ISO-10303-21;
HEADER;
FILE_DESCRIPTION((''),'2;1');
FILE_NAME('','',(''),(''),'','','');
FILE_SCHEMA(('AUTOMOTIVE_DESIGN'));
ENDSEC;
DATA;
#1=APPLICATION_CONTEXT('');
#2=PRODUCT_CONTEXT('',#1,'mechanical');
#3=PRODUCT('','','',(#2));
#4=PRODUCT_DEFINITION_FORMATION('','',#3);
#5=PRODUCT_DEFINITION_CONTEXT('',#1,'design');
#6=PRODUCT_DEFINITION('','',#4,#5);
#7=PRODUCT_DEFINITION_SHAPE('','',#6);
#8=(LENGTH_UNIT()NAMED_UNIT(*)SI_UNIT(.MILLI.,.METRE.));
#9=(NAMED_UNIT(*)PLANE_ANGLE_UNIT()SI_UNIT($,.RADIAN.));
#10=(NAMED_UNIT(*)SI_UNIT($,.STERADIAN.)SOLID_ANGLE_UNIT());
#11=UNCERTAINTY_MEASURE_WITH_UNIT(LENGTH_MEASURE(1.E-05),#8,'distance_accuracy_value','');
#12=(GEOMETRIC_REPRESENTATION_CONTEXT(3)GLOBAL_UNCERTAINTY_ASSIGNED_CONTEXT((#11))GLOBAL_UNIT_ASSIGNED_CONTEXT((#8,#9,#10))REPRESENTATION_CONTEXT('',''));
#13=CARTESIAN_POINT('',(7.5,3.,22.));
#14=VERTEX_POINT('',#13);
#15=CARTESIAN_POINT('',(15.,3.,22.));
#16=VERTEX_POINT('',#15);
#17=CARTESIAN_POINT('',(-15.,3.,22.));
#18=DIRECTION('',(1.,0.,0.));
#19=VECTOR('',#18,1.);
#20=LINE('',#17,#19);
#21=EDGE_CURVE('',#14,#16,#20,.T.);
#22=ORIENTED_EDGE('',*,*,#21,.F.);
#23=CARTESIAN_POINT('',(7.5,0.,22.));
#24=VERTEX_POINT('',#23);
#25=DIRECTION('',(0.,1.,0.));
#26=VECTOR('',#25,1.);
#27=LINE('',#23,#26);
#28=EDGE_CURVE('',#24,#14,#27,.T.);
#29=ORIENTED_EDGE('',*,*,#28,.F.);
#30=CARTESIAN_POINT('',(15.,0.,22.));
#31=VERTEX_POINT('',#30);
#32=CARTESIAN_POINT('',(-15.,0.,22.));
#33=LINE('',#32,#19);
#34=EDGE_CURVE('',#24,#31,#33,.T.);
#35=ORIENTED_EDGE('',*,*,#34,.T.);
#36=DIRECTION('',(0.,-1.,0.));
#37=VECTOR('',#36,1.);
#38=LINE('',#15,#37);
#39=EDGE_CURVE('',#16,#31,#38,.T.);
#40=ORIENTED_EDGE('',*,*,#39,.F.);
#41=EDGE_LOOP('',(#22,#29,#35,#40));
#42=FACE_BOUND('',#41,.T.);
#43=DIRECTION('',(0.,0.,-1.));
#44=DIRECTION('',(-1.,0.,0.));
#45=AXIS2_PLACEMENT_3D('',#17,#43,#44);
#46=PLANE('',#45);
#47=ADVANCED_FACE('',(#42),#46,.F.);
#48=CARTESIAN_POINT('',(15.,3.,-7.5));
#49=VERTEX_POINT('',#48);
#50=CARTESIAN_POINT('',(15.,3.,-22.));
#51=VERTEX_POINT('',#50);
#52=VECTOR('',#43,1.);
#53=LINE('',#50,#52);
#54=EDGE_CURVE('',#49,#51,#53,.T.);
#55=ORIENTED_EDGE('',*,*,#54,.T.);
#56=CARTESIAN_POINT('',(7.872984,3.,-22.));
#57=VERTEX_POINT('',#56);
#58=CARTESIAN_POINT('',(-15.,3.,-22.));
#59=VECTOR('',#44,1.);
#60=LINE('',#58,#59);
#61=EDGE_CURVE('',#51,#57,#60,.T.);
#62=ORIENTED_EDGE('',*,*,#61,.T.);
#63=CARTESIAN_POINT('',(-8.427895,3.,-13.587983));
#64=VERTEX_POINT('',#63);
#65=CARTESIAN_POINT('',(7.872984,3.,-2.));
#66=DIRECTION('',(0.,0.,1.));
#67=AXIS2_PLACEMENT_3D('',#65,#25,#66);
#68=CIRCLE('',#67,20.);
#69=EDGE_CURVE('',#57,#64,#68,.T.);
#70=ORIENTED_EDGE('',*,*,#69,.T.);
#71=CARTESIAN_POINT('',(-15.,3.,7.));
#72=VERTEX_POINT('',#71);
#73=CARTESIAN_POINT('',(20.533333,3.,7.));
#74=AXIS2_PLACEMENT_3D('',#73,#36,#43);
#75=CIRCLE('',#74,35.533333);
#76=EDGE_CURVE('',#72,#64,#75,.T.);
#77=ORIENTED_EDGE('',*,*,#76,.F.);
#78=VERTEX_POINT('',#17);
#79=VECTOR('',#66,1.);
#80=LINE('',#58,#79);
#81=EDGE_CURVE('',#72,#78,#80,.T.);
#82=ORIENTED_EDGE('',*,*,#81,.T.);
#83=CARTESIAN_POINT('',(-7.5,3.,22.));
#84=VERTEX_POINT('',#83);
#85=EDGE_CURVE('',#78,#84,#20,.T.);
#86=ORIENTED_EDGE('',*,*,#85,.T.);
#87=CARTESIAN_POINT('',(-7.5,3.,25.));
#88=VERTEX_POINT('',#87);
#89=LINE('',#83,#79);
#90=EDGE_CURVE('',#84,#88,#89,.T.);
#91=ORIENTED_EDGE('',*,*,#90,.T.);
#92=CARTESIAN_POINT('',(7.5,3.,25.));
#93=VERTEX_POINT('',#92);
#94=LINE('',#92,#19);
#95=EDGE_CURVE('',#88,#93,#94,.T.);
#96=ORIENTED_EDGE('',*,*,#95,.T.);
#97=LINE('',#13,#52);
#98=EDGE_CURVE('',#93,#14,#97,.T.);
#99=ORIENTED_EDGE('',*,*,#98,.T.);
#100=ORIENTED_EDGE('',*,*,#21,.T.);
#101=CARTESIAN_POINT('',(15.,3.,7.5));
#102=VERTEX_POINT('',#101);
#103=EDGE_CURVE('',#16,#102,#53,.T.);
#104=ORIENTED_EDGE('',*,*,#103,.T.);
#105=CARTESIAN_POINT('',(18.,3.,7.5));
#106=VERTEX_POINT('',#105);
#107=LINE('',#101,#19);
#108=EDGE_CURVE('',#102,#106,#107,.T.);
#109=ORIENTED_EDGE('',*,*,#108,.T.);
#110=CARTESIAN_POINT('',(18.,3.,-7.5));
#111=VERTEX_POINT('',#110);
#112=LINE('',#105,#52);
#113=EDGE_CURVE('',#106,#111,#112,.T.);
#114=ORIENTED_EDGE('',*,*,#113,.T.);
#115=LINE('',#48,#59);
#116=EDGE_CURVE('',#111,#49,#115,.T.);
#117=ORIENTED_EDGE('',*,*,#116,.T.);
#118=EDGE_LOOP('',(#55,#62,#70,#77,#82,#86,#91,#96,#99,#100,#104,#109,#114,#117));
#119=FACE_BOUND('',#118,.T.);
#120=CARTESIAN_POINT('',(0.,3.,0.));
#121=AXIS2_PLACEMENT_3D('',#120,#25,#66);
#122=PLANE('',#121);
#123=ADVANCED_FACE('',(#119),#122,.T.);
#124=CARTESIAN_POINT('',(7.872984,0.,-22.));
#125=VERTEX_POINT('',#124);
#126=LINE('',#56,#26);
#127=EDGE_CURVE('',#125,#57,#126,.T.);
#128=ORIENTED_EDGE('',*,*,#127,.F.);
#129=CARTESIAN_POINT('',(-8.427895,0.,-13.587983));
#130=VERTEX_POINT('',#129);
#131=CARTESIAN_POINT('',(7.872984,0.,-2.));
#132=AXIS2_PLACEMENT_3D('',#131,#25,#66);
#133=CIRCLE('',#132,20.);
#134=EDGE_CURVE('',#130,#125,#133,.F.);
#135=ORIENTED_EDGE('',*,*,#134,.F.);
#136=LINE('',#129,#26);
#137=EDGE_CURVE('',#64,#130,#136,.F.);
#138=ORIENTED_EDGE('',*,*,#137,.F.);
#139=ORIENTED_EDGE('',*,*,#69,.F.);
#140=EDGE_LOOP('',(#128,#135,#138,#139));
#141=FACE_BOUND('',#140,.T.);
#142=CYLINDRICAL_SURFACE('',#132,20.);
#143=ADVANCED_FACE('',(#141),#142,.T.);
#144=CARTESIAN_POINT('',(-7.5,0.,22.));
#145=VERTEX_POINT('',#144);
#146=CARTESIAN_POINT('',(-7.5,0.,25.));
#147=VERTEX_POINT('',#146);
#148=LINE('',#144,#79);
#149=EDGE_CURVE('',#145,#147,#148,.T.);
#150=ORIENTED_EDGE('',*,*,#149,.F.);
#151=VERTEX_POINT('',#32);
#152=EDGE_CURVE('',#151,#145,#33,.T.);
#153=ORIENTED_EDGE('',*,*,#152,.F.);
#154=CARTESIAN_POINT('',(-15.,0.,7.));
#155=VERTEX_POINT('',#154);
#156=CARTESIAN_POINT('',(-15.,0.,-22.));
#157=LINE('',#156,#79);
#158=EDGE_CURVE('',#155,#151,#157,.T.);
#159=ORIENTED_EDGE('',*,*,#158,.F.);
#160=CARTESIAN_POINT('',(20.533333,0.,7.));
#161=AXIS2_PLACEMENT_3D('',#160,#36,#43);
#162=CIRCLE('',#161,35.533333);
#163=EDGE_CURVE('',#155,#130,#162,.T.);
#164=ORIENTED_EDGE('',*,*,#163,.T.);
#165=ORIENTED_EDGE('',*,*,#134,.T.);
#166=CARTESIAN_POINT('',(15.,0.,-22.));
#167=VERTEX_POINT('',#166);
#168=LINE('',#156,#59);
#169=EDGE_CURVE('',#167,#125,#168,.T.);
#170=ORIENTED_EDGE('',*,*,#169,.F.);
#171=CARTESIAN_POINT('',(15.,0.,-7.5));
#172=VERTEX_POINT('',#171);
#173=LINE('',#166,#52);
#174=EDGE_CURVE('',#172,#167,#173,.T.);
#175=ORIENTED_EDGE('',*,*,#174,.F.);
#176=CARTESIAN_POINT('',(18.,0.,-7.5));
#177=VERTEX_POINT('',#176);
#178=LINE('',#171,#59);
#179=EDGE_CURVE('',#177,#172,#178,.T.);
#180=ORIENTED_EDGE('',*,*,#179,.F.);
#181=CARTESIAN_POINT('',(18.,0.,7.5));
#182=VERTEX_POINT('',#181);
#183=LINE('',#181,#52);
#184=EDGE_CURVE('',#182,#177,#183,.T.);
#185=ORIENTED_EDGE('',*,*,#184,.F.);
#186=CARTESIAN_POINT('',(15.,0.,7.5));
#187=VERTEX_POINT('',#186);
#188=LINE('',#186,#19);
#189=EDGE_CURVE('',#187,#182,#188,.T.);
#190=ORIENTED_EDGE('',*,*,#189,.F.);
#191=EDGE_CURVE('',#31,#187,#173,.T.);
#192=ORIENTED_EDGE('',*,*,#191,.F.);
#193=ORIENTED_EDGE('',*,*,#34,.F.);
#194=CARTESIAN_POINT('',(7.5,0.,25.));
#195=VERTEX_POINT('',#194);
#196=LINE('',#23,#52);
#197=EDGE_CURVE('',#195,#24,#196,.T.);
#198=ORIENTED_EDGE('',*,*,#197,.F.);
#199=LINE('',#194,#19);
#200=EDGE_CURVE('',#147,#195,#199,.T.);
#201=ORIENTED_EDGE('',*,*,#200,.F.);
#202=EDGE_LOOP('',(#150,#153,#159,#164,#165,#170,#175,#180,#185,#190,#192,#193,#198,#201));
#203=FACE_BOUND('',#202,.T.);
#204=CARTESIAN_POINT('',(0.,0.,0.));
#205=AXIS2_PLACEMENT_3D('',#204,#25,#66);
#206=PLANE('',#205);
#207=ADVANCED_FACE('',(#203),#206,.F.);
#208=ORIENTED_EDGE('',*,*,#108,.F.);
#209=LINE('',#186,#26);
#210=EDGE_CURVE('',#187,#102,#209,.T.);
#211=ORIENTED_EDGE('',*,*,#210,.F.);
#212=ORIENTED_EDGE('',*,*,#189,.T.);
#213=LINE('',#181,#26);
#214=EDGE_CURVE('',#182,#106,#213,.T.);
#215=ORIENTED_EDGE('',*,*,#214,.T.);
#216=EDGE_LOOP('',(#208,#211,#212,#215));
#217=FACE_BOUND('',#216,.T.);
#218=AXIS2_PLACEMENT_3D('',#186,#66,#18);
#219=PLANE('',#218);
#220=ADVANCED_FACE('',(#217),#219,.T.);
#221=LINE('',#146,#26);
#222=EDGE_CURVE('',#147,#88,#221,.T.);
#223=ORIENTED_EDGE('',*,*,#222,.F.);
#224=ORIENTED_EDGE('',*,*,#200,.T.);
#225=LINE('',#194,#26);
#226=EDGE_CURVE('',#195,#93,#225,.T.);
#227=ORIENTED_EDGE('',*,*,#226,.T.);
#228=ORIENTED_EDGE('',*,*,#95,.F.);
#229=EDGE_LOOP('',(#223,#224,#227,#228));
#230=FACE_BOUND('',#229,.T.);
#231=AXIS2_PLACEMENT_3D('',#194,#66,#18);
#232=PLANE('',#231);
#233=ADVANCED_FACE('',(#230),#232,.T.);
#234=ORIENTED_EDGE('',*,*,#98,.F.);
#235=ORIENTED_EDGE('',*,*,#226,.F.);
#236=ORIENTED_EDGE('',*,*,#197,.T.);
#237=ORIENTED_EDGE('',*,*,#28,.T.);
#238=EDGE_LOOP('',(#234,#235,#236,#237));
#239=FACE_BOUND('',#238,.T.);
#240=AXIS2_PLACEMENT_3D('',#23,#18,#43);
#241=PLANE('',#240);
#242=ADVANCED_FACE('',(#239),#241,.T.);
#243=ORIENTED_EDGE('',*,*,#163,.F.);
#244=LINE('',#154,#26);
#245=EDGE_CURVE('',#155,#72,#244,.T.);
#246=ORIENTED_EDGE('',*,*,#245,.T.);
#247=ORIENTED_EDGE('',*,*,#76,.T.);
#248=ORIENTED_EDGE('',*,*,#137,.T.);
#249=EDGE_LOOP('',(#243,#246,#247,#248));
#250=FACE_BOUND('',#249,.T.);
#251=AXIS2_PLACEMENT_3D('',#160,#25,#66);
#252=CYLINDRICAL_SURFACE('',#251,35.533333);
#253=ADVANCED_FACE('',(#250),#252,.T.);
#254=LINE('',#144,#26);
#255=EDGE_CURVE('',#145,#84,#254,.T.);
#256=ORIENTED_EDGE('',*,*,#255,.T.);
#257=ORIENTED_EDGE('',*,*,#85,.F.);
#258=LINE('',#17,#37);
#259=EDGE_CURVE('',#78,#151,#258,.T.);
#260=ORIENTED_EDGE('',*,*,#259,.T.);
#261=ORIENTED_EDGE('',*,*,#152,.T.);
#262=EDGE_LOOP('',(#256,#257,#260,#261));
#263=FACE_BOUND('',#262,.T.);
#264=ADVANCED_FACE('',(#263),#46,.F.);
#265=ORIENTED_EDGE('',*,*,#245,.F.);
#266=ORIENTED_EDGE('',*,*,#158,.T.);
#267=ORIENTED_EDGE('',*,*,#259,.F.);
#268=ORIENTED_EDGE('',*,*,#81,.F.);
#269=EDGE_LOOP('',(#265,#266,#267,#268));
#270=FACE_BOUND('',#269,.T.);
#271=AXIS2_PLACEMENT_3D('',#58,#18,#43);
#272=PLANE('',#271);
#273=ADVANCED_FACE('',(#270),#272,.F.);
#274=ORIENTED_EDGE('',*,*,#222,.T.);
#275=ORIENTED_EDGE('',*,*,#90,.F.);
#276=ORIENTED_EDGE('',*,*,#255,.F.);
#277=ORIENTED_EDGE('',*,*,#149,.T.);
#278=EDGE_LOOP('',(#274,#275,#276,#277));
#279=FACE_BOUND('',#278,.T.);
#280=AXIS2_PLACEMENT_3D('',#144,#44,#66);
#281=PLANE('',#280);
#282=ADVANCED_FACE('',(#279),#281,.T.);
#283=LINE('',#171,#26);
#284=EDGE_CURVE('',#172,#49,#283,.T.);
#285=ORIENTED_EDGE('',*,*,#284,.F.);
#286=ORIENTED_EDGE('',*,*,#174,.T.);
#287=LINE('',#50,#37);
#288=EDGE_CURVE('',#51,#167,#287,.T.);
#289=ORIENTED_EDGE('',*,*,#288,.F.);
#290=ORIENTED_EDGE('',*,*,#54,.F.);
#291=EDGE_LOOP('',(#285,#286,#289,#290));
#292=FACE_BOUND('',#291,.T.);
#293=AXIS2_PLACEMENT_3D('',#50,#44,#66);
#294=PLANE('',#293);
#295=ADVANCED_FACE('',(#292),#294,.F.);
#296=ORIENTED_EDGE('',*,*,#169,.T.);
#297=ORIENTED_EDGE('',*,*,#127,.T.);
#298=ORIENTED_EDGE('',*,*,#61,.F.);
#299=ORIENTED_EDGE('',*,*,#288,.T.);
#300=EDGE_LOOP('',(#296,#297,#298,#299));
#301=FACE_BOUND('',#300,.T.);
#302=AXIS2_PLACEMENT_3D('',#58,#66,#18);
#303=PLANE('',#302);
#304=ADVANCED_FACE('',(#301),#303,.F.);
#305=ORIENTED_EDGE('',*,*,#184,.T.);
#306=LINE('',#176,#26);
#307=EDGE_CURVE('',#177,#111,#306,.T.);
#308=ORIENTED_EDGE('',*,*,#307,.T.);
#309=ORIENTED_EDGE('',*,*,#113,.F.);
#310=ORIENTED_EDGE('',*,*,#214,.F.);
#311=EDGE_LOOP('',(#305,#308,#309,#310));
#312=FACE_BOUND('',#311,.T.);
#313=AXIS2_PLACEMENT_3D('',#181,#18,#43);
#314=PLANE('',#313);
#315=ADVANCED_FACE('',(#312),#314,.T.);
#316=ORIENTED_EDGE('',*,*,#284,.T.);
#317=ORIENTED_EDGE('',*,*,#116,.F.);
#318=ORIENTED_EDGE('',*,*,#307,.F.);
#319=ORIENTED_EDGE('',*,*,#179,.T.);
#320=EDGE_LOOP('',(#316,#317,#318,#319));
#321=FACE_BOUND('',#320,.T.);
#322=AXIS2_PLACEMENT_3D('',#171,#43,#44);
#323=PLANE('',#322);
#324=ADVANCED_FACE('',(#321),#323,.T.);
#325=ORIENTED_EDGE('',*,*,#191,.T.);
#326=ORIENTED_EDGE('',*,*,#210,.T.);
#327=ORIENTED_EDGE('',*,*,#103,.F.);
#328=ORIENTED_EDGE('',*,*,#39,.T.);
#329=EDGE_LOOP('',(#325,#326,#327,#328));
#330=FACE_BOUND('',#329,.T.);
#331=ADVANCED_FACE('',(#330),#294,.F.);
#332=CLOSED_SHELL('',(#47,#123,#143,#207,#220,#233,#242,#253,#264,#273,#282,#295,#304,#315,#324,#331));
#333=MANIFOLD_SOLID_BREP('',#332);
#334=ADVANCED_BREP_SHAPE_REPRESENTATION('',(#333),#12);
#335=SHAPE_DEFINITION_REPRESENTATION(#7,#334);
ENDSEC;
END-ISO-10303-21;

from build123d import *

# Parameters (mm, degrees)
SKETCH1_W           = 30
SKETCH1_H           = 44
BOSS_EXTRUDE1_DEPTH = 3
CUT_EXTRUDE1_DEPTH  = 27.795522014
SKETCH3_W           = 15
SKETCH3_H           = 3
SKETCH3_W_2         = 3
SKETCH3_H_2         = 15
BOSS_EXTRUDE2_DEPTH = 3
FILLET1_R           = 20


with BuildPart() as part:
    # Sketch1 → Boss-Extrude1 (new body)
    with BuildSketch(Plane(origin=(0, 0, 0), x_dir=(1, 0, 0), z_dir=(0, 1, 0))):
        Rectangle(SKETCH1_W, SKETCH1_H)
    extrude(amount=BOSS_EXTRUDE1_DEPTH)

    # Sketch2 → Cut-Extrude1 (cut, through all)
    with BuildSketch(Plane(origin=(0, 3, 0), x_dir=(1, 0, 0), z_dir=(0, 1, 0))):
        with BuildLine():
            Line((-15, -7), (-15, 22))
            Line((-15, 22), (0, 22))
            ThreePointArc((0, 22), (-11.028000253, 9.324827717), (-15, -7))
        make_face()
    extrude(amount=-CUT_EXTRUDE1_DEPTH, mode=Mode.SUBTRACT)

    # Sketch3 → Boss-Extrude2 (add)
    with BuildSketch(Plane(origin=(0, 3, 0), x_dir=(1, 0, 0), z_dir=(0, 1, 0))):
        with Locations((0, -23.5)):
            Rectangle(SKETCH3_W, SKETCH3_H)
        with Locations((16.5, 0)):
            Rectangle(SKETCH3_W_2, SKETCH3_H_2)
    extrude(amount=-BOSS_EXTRUDE2_DEPTH)

    # Fillet1
    fillet1_edges = [part.edges().sort_by_distance(p)[0] for p in [
        (0, 1.5, -22),
    ]]
    fillet(fillet1_edges, radius=FILLET1_R)


solid = part.part
